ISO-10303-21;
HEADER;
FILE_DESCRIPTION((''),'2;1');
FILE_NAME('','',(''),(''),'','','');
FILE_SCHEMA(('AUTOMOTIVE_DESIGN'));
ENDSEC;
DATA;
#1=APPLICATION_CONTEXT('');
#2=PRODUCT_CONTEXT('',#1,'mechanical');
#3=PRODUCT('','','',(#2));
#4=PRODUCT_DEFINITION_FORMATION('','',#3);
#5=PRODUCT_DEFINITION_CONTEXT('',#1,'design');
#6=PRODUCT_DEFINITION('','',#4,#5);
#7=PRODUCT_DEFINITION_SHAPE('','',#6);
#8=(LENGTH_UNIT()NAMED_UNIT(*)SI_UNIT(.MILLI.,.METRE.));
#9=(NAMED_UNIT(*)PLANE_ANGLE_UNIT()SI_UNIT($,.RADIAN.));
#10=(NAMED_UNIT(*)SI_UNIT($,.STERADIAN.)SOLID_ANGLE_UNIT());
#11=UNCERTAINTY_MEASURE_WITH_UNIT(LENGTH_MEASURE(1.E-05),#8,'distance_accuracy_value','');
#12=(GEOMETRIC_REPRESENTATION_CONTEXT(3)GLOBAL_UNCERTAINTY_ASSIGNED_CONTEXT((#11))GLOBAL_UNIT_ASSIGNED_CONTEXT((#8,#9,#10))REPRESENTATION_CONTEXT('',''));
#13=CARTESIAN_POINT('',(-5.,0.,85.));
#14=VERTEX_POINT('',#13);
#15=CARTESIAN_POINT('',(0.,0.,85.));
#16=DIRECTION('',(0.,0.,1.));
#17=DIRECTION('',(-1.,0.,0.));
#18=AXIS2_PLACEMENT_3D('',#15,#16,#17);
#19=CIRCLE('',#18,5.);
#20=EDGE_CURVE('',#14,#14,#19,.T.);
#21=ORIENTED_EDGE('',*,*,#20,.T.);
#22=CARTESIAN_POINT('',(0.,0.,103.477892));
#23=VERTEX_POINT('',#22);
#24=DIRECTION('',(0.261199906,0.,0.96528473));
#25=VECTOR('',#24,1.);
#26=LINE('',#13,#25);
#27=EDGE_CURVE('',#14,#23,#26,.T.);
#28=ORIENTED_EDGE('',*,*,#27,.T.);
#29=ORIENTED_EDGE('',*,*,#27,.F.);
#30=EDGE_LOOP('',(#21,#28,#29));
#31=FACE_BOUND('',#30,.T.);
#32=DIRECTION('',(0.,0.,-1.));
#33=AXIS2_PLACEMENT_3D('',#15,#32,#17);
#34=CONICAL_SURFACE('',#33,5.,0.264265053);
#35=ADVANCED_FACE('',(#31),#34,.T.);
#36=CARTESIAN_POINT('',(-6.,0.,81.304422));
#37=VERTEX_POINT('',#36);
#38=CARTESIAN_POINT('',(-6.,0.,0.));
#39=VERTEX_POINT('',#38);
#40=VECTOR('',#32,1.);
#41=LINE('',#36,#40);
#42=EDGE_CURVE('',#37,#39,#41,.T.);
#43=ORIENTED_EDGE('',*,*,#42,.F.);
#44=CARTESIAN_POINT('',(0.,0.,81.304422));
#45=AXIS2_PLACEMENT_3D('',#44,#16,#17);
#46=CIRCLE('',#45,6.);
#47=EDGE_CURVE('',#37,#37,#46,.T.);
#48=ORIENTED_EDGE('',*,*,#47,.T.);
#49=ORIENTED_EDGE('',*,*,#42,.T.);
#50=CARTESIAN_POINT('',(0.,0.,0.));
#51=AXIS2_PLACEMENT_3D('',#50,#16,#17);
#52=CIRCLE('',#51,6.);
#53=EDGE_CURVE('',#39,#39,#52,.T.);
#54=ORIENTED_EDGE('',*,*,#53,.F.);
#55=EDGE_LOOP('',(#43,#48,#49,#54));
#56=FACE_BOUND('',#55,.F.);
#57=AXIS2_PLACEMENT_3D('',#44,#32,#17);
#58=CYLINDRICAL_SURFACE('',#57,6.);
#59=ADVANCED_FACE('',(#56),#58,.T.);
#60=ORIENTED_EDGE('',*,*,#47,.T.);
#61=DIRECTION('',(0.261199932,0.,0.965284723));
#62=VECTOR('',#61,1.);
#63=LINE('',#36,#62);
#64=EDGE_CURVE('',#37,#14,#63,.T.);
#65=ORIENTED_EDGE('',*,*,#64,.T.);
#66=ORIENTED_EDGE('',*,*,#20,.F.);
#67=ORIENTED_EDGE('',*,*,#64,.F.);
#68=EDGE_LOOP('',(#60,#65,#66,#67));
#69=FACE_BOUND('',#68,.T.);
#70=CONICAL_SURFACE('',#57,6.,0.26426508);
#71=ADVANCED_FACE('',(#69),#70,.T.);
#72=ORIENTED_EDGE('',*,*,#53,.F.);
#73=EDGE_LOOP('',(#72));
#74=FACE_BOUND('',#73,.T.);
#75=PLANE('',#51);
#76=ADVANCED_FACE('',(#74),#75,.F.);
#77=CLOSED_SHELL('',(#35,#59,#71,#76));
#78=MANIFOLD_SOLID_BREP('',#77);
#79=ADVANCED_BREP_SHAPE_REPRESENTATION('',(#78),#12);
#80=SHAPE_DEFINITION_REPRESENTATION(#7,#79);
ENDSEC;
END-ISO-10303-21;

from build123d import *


with BuildPart() as part:
    # Sketch → Revolution (revolve)
    with BuildSketch(Plane.XZ):
        Polygon((0, 0), (-6, 0), (-6, 60), (-6, 81.304422), (-5, 85), (0, 103.477892), (0, 85), align=None)
    revolve(axis=Axis((0, 0, 0), (0, 0, 1)))


solid = part.part
